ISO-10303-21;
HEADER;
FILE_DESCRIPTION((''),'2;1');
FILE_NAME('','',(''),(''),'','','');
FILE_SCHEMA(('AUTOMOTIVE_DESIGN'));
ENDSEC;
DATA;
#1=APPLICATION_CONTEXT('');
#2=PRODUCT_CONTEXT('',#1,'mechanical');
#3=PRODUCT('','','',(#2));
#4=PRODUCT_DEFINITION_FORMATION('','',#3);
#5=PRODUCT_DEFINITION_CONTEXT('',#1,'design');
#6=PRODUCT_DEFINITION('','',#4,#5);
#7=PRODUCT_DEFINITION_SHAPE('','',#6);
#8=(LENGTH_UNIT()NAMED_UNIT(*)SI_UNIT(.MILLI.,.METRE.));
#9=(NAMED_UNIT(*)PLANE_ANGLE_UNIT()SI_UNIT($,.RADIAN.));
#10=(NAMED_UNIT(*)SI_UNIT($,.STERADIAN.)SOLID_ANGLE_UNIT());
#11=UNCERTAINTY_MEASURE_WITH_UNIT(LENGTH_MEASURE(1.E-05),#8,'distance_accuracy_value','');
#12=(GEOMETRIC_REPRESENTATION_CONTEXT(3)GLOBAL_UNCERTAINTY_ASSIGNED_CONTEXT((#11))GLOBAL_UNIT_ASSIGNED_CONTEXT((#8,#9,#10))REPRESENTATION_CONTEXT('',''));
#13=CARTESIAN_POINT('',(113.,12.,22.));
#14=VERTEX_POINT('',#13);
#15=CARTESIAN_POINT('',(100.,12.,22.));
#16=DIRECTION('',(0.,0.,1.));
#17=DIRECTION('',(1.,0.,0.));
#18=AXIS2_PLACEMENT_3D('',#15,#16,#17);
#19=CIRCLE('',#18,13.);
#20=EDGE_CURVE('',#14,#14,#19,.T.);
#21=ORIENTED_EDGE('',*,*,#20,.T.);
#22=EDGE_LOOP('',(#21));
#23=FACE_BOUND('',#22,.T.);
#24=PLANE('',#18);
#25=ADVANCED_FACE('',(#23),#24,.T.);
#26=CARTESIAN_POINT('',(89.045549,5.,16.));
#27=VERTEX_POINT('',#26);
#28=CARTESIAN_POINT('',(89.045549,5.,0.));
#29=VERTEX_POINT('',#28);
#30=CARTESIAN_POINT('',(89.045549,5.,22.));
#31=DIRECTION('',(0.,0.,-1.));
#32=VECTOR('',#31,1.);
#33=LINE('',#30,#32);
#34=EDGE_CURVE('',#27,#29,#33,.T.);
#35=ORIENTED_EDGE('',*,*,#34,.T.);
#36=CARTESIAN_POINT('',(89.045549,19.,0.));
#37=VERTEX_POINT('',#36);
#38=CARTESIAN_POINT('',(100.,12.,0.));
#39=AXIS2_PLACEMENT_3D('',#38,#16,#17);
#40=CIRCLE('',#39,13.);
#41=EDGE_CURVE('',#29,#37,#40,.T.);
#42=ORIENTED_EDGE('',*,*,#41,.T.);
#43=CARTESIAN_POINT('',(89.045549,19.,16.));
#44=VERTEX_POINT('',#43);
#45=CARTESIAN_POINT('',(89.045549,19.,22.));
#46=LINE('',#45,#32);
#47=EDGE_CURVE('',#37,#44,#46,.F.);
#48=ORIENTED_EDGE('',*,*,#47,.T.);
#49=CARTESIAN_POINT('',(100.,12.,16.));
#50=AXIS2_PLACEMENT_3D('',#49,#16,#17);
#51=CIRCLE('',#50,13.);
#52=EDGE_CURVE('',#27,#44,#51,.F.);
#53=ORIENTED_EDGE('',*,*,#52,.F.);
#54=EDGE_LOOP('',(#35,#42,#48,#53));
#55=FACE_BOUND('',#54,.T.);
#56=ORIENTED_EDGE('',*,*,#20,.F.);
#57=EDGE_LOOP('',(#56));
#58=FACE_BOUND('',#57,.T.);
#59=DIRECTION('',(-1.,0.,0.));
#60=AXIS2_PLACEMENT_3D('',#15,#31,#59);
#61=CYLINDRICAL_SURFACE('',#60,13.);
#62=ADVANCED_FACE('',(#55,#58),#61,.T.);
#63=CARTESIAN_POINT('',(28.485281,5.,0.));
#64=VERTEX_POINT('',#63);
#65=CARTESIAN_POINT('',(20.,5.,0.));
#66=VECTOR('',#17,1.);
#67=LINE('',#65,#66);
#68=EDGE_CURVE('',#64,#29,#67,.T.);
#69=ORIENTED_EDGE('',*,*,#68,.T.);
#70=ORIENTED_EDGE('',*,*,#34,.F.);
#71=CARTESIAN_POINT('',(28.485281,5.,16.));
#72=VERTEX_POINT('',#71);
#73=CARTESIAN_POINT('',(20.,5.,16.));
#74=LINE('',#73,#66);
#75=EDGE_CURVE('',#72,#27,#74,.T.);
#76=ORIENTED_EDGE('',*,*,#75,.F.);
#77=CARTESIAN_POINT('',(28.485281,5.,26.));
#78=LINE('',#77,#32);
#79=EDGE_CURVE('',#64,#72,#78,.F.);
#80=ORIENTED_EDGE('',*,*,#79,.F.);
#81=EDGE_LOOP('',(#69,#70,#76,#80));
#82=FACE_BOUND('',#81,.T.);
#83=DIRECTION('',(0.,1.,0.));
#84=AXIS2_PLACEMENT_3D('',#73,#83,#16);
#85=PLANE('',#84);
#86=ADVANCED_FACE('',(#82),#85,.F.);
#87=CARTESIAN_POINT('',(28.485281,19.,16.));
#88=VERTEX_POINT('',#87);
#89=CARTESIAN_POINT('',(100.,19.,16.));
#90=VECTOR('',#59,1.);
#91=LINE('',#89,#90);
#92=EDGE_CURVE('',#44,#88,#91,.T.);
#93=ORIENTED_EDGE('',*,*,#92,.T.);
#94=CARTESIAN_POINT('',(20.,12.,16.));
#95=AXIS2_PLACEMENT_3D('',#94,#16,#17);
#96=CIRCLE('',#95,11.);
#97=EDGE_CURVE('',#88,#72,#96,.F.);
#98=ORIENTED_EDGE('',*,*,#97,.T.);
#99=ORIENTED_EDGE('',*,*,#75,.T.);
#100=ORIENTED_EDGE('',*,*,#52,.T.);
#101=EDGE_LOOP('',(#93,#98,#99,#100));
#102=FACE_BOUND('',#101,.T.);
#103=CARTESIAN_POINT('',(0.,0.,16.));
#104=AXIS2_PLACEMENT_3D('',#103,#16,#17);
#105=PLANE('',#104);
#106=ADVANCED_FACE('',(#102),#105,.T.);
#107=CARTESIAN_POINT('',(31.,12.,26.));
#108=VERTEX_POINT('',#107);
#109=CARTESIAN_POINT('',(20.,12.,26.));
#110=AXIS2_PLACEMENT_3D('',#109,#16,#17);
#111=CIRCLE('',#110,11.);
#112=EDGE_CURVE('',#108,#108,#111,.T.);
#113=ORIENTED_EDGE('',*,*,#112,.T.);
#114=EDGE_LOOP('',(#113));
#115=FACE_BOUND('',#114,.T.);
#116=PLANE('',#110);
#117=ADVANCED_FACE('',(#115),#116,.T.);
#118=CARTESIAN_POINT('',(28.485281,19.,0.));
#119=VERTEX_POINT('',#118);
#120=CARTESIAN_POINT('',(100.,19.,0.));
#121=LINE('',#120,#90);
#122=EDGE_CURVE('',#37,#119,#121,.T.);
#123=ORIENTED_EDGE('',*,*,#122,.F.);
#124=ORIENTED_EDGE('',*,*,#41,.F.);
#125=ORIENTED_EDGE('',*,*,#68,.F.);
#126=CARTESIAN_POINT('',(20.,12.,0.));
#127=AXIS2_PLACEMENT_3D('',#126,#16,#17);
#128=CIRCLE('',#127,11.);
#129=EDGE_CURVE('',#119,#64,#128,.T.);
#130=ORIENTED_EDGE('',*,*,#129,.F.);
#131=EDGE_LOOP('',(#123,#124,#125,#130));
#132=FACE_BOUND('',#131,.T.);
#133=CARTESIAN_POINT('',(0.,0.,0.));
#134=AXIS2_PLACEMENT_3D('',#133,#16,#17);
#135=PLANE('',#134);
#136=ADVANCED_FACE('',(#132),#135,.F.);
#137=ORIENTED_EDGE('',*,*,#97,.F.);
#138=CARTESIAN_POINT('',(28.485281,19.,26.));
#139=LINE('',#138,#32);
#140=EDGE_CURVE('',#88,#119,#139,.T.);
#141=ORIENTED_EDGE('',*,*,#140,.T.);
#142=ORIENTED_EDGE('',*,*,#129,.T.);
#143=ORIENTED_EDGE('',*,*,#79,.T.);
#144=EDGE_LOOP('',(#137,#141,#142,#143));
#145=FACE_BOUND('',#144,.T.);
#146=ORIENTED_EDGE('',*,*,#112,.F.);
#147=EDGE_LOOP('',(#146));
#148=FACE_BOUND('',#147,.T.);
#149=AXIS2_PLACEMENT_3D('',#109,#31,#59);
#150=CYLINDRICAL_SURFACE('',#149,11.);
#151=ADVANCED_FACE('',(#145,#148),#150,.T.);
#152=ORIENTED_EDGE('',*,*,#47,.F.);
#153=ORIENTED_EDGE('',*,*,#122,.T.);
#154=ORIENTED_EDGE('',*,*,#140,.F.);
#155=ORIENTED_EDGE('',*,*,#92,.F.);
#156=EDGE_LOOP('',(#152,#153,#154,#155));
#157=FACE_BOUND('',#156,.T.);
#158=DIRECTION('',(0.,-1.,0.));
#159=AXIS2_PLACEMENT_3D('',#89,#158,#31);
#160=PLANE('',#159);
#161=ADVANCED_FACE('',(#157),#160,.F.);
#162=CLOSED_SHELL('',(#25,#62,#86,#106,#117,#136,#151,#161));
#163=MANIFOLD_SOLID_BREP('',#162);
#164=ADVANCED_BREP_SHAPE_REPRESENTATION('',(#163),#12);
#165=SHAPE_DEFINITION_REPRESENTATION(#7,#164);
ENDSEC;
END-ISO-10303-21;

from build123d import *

# Parameters (mm, degrees)
SKETCH_3_W    = 80
SKETCH_3_H    = 14
BAR_DEPTH     = 16
SKETCH_4_R    = 11
ROOTHUB_DEPTH = 26
SKETCH_5_R    = 13
ENDHUB_DEPTH  = 22


with BuildPart() as part:
    # 草图3 → Bar (new body)
    with BuildSketch(Plane.XY):
        with Locations((60, 12)):
            Rectangle(SKETCH_3_W, SKETCH_3_H)
    extrude(amount=BAR_DEPTH)

    # 草图4 → RootHub (add)
    with BuildSketch(Plane.XY):
        with Locations(Location((20, 12, 0), (0, 0, 320.478803641))):
            Circle(SKETCH_4_R)
    extrude(amount=ROOTHUB_DEPTH)

    # 草图5 → EndHub (add)
    with BuildSketch(Plane.XY):
        with Locations(Location((100, 12, 0), (0, 0, 212.578970393))):
            Circle(SKETCH_5_R)
    extrude(amount=ENDHUB_DEPTH)


solid = part.part
